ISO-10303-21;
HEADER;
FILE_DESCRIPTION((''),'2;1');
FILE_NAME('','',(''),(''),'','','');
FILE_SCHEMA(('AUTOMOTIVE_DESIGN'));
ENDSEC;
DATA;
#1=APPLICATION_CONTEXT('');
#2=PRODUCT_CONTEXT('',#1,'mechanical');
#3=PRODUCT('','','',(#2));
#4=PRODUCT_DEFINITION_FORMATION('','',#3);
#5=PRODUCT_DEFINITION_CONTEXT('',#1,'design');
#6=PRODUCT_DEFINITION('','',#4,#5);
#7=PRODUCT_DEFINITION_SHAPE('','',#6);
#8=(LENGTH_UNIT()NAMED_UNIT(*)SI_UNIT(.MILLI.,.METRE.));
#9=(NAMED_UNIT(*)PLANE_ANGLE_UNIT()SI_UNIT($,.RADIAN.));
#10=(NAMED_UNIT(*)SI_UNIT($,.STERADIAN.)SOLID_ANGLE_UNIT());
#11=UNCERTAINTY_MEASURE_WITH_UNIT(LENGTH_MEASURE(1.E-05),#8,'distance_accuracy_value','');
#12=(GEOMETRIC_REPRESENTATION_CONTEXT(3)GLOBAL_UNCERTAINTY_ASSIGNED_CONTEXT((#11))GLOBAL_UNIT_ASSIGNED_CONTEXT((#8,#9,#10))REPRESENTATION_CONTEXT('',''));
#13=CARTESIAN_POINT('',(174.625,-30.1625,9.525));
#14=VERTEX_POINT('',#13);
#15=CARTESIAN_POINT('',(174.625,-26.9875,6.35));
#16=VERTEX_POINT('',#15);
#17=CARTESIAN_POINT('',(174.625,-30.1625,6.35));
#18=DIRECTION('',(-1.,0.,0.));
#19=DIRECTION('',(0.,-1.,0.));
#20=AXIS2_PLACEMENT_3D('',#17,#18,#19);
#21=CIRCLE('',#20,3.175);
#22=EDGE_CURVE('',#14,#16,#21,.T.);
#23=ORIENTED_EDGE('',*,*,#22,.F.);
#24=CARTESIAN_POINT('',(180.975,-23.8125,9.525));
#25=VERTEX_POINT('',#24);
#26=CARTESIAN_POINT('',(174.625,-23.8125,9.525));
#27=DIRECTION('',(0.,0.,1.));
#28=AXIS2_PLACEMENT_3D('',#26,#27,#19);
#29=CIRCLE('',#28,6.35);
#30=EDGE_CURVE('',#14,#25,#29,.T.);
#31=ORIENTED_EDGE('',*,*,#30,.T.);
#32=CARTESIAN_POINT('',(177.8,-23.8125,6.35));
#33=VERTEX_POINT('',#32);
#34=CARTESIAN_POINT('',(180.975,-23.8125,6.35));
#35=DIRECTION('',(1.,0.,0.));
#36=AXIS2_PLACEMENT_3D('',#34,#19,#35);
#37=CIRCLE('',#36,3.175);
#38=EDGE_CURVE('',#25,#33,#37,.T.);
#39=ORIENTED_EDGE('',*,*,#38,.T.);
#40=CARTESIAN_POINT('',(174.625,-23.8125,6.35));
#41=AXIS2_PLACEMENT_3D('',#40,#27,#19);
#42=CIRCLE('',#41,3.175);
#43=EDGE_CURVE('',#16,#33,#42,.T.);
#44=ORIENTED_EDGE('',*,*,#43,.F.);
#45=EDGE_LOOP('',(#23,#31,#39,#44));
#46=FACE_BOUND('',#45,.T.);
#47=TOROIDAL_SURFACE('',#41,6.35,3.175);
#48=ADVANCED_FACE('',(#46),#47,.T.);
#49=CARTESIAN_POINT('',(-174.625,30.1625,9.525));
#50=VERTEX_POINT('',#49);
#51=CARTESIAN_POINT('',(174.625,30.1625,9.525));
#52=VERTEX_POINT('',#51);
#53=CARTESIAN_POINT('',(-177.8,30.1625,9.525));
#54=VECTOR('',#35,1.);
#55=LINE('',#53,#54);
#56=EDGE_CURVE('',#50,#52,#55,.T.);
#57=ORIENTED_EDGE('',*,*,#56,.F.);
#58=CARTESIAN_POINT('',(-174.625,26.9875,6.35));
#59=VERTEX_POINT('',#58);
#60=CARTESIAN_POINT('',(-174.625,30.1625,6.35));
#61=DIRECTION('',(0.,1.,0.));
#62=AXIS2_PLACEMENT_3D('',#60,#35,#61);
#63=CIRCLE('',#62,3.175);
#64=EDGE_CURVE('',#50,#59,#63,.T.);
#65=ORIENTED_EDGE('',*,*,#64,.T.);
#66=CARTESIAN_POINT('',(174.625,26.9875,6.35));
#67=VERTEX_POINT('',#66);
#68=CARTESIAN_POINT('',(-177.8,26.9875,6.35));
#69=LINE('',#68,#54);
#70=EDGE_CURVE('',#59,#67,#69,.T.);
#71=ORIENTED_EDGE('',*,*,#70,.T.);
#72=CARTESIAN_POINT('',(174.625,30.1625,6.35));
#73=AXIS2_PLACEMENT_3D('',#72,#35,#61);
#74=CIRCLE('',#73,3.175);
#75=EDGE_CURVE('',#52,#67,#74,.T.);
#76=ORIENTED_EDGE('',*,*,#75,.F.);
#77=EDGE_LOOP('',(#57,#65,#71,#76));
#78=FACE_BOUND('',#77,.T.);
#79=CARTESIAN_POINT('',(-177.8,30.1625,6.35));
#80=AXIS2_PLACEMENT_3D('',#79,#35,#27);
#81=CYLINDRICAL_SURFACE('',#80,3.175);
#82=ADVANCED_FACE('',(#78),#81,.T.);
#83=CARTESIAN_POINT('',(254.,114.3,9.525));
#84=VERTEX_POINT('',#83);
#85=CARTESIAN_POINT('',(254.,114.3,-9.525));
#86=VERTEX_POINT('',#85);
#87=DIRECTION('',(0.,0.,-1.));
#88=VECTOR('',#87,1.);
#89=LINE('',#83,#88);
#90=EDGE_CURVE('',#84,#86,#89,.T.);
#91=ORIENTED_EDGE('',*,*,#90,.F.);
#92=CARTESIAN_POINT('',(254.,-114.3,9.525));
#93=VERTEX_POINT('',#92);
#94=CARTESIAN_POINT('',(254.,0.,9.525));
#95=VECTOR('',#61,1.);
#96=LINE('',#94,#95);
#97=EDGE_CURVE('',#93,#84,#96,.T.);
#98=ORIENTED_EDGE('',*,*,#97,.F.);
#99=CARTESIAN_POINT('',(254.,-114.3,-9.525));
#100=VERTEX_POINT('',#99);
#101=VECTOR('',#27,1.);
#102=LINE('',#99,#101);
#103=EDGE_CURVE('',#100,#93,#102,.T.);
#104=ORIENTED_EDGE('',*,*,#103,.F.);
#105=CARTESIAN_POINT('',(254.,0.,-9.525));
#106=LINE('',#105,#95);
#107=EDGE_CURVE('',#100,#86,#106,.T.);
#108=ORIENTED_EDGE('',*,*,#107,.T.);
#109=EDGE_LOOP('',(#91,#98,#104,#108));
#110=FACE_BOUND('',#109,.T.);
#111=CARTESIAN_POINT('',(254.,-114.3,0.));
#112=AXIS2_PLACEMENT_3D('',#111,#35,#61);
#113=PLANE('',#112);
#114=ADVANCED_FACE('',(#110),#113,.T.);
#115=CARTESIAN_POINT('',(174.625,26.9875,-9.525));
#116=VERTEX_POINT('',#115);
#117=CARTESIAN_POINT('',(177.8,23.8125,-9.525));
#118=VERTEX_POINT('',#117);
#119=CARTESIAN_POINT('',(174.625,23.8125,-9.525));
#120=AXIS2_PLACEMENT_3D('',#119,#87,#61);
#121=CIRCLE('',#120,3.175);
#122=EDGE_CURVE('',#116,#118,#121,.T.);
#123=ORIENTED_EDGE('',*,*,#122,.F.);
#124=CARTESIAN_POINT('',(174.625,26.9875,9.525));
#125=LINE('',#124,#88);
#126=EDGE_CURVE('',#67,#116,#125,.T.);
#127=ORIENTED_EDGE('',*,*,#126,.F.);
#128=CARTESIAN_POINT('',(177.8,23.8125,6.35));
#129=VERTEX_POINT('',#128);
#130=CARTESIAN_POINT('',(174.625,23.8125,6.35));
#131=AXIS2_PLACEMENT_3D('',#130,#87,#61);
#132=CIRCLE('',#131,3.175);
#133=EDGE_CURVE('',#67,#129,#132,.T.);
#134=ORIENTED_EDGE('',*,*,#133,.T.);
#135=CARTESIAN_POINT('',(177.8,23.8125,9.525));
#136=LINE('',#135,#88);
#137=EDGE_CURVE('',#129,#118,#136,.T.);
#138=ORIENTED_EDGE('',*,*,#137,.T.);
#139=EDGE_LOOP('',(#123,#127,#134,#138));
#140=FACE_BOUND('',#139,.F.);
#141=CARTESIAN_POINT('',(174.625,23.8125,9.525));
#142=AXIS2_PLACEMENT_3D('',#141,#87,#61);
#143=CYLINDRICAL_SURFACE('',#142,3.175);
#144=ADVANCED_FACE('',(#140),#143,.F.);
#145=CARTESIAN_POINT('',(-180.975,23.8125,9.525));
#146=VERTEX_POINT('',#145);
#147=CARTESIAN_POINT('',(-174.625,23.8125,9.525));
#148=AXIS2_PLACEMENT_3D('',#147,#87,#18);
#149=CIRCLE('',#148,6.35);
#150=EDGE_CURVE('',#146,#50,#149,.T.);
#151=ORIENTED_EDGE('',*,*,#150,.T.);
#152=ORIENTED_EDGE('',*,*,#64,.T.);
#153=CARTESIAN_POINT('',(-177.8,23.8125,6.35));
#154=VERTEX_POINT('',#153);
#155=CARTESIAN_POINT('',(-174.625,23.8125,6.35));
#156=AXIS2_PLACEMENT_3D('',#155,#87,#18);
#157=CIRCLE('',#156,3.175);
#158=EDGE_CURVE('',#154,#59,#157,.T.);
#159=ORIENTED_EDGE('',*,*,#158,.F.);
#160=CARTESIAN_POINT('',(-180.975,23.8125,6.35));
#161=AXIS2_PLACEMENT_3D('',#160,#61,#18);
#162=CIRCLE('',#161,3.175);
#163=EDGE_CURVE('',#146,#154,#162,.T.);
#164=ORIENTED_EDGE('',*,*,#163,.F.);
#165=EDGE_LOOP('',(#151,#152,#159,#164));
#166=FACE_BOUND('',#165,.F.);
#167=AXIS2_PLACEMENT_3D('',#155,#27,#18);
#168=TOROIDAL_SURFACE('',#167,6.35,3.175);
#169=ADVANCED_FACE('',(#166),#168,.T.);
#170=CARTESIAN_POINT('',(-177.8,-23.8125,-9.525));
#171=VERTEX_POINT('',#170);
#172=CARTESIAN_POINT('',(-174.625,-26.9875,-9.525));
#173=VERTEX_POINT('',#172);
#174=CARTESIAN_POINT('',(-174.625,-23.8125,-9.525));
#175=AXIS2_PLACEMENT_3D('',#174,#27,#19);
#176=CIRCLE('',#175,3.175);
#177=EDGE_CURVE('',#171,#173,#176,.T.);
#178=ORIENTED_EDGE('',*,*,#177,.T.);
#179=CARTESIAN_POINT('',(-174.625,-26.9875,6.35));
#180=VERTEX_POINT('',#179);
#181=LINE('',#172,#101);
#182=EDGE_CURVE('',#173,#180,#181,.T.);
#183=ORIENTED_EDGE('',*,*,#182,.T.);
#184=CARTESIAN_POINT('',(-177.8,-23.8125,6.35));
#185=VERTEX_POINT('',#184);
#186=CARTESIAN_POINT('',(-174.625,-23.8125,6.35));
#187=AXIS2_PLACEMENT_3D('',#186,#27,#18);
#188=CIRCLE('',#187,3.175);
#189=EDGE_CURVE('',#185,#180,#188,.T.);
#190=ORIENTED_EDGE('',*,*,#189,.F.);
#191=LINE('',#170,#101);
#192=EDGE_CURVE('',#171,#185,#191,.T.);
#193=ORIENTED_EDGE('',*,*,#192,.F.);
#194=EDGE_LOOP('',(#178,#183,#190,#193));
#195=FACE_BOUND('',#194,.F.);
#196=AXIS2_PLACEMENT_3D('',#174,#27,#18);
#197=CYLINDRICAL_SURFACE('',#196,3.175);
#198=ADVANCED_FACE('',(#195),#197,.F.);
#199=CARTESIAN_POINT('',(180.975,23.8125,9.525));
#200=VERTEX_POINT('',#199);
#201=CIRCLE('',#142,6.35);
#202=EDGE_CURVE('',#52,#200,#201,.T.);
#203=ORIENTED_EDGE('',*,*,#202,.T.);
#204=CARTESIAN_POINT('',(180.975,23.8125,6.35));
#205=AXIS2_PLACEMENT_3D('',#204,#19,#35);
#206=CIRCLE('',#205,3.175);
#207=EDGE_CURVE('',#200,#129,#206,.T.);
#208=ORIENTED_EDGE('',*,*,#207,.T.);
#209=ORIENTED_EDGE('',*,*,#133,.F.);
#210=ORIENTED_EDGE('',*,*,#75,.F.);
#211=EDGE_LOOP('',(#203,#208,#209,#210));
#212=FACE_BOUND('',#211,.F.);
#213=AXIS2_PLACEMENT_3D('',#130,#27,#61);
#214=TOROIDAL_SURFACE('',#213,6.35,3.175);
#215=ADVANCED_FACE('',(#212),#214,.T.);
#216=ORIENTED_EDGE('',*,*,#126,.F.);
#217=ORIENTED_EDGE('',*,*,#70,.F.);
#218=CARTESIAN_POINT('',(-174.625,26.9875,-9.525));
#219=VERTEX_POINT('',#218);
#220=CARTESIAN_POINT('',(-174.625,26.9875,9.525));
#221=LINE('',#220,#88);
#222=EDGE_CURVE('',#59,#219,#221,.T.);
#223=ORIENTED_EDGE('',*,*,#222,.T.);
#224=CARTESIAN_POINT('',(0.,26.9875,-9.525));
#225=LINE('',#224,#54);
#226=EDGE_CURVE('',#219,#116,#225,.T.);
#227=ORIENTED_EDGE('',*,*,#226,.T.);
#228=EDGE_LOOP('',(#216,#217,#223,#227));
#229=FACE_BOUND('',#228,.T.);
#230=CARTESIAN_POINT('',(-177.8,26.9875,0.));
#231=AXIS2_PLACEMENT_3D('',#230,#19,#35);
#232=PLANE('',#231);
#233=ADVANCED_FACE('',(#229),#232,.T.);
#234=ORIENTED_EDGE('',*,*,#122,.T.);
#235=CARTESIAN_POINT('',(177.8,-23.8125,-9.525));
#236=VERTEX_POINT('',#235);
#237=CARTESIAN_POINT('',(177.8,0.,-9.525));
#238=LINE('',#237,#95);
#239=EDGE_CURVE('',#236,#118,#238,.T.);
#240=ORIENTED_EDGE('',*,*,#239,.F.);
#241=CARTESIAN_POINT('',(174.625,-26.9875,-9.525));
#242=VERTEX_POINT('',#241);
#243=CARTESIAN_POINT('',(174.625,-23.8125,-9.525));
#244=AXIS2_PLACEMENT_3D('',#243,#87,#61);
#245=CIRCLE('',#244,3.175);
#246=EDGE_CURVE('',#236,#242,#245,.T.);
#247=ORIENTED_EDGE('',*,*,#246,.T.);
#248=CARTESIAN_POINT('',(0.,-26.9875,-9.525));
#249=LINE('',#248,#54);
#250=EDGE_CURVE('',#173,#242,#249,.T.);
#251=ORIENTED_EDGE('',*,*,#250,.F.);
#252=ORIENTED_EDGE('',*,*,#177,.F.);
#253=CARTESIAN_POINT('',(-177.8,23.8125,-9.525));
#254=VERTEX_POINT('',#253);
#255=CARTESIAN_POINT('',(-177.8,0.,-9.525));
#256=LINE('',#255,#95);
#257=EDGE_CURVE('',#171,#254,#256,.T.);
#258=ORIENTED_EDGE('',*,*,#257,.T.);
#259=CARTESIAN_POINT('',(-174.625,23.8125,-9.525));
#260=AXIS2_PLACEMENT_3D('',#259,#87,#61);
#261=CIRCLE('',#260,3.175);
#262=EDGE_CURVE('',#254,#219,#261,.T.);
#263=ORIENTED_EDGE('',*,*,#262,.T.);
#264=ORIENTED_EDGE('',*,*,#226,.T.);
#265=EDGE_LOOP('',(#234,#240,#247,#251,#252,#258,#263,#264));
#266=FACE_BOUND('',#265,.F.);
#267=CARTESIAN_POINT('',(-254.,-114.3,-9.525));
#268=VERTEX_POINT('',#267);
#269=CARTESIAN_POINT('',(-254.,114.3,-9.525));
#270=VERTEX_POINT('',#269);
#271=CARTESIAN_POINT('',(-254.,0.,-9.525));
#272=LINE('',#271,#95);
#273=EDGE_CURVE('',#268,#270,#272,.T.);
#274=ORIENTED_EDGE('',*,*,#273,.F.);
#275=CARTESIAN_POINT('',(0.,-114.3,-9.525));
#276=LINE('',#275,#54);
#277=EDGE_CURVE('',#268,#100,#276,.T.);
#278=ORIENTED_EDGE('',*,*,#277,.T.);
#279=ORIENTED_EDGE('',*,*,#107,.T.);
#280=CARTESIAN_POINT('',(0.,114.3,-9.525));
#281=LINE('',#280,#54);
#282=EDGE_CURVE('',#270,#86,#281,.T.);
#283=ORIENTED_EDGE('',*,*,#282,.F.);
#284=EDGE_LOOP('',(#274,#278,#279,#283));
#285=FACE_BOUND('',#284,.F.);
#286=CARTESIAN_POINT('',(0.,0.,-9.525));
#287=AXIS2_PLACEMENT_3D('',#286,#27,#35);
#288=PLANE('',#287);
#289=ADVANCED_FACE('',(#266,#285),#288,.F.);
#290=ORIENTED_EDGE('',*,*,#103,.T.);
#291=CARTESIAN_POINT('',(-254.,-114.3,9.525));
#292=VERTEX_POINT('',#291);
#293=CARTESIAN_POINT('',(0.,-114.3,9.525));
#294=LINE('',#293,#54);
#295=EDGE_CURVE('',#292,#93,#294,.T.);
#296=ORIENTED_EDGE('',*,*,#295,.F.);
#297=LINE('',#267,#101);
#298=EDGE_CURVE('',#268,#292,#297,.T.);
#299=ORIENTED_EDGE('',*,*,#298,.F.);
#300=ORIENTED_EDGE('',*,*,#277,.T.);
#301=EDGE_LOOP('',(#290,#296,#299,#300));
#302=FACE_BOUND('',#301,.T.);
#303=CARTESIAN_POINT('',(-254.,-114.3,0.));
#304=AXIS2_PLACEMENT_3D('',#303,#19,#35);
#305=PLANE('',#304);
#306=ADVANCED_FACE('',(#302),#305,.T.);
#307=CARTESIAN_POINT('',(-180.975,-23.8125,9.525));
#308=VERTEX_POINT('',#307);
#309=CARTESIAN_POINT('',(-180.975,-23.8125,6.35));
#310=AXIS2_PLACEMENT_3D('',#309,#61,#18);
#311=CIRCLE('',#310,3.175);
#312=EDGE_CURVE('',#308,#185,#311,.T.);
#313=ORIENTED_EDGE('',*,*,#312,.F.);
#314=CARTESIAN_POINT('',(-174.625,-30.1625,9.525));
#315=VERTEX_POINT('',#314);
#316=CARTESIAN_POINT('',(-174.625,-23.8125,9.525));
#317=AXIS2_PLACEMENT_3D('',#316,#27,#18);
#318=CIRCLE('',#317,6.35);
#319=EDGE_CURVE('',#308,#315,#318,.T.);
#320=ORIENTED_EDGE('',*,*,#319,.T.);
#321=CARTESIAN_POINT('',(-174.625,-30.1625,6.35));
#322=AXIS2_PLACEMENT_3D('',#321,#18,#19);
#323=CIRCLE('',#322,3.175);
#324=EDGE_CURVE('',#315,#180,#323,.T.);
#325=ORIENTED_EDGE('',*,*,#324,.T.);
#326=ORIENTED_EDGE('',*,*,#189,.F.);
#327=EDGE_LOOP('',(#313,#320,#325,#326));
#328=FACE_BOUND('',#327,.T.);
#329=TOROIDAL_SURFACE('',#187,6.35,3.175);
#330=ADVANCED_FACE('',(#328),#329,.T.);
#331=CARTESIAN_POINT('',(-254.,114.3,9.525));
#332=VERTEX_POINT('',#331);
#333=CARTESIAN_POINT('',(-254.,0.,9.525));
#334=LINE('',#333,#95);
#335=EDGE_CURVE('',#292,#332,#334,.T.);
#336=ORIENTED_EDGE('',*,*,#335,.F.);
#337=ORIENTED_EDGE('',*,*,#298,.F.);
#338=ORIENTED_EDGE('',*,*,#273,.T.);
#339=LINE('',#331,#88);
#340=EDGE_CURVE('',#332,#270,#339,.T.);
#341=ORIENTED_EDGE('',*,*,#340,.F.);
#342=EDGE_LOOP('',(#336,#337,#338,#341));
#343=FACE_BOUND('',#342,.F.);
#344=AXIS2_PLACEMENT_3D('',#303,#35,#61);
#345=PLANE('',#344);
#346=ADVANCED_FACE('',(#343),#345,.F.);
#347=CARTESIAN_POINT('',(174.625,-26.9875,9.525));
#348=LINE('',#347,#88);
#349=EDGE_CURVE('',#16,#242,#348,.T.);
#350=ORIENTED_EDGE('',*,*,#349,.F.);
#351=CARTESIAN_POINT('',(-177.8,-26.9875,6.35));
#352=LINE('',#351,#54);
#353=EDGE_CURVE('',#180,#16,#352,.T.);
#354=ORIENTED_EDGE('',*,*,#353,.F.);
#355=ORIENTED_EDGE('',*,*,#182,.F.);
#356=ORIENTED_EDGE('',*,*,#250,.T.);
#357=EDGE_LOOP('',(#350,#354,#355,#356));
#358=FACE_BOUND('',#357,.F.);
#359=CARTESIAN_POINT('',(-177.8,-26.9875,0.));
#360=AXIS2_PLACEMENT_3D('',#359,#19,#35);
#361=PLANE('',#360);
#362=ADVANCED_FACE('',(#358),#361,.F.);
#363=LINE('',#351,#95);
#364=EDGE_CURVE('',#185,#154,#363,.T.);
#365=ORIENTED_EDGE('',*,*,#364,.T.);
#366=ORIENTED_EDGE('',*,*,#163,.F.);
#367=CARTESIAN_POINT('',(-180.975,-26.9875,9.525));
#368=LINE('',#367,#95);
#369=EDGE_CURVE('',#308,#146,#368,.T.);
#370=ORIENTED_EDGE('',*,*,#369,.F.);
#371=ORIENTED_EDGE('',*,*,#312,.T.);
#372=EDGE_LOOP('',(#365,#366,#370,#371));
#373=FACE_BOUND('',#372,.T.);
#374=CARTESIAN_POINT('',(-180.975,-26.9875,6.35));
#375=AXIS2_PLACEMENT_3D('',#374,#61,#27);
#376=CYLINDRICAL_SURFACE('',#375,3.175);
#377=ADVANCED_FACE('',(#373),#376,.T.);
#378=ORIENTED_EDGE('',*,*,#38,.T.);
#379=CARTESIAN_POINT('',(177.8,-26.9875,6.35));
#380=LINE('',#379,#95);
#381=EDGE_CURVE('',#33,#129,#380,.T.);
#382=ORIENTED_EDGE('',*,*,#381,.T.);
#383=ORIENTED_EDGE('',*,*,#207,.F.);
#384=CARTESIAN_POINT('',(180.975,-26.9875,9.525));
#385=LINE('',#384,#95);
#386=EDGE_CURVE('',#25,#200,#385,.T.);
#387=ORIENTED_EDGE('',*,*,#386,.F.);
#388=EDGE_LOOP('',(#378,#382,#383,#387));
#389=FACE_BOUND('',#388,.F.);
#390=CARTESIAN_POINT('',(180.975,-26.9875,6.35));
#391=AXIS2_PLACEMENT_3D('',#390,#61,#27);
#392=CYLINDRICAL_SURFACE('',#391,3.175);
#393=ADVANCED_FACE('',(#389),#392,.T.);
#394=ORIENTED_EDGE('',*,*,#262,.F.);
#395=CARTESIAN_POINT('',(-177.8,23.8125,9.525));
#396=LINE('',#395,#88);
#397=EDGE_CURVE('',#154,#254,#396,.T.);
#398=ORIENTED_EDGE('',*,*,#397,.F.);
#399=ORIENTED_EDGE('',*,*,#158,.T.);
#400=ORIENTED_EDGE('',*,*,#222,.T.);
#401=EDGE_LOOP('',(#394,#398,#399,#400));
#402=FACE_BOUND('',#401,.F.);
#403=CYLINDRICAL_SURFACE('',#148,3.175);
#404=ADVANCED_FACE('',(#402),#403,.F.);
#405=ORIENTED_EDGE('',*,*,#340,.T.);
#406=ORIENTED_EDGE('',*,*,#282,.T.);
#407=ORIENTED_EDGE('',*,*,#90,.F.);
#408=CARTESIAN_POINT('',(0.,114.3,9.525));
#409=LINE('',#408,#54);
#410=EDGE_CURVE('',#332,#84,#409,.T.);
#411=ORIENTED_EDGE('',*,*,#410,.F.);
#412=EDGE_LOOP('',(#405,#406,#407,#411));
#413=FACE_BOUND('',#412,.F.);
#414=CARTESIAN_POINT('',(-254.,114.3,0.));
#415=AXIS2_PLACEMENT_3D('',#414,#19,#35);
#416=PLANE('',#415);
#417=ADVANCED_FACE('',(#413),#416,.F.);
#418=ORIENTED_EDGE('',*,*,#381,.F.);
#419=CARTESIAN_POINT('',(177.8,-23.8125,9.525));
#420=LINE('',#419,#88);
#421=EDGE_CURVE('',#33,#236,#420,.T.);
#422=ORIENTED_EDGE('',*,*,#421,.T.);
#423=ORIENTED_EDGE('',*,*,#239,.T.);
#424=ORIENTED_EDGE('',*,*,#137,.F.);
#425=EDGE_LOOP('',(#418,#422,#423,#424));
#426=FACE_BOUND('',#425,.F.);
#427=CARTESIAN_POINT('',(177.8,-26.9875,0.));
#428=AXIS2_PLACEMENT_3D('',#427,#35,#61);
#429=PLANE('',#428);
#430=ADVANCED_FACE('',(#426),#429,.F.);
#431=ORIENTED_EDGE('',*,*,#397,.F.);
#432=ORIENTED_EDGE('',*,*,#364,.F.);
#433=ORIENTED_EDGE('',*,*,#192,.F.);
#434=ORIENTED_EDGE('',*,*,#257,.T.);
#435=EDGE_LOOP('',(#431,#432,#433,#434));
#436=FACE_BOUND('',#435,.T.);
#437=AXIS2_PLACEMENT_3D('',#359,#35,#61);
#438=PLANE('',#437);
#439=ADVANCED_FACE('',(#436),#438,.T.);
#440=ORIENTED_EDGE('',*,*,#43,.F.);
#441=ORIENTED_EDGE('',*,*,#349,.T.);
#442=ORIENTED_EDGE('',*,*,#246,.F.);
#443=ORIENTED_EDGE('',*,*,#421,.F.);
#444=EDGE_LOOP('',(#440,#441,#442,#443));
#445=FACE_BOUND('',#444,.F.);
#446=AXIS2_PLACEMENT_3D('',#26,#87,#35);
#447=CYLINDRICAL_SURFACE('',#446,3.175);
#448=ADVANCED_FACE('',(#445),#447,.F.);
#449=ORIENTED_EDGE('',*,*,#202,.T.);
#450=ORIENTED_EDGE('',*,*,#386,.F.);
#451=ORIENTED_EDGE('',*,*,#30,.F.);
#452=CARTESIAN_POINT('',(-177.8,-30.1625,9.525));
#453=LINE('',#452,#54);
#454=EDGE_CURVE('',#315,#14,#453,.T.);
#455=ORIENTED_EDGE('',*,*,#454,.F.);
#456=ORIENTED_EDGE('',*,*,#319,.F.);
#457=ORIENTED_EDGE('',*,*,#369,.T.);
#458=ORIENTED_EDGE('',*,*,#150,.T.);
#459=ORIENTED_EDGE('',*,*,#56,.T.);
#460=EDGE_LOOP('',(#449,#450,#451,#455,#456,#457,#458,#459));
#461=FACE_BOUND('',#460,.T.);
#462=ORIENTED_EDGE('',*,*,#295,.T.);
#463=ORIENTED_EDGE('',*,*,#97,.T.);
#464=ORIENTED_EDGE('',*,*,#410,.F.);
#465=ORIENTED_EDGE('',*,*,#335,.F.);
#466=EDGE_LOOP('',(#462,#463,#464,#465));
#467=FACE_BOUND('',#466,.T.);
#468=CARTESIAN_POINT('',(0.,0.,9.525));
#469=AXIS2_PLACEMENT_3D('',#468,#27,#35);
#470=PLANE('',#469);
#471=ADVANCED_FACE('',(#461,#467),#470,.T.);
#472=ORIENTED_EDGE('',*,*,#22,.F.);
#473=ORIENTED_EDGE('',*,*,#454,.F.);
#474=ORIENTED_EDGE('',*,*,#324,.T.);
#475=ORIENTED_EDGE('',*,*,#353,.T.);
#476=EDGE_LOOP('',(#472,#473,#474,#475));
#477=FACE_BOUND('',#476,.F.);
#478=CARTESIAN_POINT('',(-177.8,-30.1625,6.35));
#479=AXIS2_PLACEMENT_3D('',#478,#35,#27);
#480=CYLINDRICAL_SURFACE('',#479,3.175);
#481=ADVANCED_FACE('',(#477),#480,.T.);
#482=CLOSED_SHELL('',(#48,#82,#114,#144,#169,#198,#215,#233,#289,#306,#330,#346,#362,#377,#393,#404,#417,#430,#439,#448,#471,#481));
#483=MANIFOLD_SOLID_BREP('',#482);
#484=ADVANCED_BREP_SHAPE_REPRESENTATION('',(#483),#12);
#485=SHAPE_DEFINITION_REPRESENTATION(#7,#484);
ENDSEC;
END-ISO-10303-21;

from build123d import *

# Parameters (mm, degrees)
F0_W     = 508
F0_H     = 228.6
F0_W_2   = 355.6
F0_H_2   = 53.975
F1_DEPTH = 9.525
F2_R     = 3.175


with BuildPart() as f1:
    # F0 (on Top) → F1 (new body, symmetric)
    with BuildSketch(Plane.XY):
        Rectangle(F0_W, F0_H)
        Rectangle(F0_W_2, F0_H_2, mode=Mode.SUBTRACT)
    extrude(amount=F1_DEPTH, both=True)

    # F2
    f2_edges = [f1.edges().sort_by_distance(p)[0] for p in [
        (-177.8, 0, 9.525),
        (0, 26.9875, 9.525),
        (0, -26.9875, 9.525),
        (177.8, 0, 9.525),
        (177.8, 26.9875, 0),
        (-177.8, 26.9875, 0),
        (-177.8, -26.9875, 0),
        (177.8, -26.9875, 0),
    ]]
    fillet(f2_edges, radius=F2_R)


solid = f1.part
